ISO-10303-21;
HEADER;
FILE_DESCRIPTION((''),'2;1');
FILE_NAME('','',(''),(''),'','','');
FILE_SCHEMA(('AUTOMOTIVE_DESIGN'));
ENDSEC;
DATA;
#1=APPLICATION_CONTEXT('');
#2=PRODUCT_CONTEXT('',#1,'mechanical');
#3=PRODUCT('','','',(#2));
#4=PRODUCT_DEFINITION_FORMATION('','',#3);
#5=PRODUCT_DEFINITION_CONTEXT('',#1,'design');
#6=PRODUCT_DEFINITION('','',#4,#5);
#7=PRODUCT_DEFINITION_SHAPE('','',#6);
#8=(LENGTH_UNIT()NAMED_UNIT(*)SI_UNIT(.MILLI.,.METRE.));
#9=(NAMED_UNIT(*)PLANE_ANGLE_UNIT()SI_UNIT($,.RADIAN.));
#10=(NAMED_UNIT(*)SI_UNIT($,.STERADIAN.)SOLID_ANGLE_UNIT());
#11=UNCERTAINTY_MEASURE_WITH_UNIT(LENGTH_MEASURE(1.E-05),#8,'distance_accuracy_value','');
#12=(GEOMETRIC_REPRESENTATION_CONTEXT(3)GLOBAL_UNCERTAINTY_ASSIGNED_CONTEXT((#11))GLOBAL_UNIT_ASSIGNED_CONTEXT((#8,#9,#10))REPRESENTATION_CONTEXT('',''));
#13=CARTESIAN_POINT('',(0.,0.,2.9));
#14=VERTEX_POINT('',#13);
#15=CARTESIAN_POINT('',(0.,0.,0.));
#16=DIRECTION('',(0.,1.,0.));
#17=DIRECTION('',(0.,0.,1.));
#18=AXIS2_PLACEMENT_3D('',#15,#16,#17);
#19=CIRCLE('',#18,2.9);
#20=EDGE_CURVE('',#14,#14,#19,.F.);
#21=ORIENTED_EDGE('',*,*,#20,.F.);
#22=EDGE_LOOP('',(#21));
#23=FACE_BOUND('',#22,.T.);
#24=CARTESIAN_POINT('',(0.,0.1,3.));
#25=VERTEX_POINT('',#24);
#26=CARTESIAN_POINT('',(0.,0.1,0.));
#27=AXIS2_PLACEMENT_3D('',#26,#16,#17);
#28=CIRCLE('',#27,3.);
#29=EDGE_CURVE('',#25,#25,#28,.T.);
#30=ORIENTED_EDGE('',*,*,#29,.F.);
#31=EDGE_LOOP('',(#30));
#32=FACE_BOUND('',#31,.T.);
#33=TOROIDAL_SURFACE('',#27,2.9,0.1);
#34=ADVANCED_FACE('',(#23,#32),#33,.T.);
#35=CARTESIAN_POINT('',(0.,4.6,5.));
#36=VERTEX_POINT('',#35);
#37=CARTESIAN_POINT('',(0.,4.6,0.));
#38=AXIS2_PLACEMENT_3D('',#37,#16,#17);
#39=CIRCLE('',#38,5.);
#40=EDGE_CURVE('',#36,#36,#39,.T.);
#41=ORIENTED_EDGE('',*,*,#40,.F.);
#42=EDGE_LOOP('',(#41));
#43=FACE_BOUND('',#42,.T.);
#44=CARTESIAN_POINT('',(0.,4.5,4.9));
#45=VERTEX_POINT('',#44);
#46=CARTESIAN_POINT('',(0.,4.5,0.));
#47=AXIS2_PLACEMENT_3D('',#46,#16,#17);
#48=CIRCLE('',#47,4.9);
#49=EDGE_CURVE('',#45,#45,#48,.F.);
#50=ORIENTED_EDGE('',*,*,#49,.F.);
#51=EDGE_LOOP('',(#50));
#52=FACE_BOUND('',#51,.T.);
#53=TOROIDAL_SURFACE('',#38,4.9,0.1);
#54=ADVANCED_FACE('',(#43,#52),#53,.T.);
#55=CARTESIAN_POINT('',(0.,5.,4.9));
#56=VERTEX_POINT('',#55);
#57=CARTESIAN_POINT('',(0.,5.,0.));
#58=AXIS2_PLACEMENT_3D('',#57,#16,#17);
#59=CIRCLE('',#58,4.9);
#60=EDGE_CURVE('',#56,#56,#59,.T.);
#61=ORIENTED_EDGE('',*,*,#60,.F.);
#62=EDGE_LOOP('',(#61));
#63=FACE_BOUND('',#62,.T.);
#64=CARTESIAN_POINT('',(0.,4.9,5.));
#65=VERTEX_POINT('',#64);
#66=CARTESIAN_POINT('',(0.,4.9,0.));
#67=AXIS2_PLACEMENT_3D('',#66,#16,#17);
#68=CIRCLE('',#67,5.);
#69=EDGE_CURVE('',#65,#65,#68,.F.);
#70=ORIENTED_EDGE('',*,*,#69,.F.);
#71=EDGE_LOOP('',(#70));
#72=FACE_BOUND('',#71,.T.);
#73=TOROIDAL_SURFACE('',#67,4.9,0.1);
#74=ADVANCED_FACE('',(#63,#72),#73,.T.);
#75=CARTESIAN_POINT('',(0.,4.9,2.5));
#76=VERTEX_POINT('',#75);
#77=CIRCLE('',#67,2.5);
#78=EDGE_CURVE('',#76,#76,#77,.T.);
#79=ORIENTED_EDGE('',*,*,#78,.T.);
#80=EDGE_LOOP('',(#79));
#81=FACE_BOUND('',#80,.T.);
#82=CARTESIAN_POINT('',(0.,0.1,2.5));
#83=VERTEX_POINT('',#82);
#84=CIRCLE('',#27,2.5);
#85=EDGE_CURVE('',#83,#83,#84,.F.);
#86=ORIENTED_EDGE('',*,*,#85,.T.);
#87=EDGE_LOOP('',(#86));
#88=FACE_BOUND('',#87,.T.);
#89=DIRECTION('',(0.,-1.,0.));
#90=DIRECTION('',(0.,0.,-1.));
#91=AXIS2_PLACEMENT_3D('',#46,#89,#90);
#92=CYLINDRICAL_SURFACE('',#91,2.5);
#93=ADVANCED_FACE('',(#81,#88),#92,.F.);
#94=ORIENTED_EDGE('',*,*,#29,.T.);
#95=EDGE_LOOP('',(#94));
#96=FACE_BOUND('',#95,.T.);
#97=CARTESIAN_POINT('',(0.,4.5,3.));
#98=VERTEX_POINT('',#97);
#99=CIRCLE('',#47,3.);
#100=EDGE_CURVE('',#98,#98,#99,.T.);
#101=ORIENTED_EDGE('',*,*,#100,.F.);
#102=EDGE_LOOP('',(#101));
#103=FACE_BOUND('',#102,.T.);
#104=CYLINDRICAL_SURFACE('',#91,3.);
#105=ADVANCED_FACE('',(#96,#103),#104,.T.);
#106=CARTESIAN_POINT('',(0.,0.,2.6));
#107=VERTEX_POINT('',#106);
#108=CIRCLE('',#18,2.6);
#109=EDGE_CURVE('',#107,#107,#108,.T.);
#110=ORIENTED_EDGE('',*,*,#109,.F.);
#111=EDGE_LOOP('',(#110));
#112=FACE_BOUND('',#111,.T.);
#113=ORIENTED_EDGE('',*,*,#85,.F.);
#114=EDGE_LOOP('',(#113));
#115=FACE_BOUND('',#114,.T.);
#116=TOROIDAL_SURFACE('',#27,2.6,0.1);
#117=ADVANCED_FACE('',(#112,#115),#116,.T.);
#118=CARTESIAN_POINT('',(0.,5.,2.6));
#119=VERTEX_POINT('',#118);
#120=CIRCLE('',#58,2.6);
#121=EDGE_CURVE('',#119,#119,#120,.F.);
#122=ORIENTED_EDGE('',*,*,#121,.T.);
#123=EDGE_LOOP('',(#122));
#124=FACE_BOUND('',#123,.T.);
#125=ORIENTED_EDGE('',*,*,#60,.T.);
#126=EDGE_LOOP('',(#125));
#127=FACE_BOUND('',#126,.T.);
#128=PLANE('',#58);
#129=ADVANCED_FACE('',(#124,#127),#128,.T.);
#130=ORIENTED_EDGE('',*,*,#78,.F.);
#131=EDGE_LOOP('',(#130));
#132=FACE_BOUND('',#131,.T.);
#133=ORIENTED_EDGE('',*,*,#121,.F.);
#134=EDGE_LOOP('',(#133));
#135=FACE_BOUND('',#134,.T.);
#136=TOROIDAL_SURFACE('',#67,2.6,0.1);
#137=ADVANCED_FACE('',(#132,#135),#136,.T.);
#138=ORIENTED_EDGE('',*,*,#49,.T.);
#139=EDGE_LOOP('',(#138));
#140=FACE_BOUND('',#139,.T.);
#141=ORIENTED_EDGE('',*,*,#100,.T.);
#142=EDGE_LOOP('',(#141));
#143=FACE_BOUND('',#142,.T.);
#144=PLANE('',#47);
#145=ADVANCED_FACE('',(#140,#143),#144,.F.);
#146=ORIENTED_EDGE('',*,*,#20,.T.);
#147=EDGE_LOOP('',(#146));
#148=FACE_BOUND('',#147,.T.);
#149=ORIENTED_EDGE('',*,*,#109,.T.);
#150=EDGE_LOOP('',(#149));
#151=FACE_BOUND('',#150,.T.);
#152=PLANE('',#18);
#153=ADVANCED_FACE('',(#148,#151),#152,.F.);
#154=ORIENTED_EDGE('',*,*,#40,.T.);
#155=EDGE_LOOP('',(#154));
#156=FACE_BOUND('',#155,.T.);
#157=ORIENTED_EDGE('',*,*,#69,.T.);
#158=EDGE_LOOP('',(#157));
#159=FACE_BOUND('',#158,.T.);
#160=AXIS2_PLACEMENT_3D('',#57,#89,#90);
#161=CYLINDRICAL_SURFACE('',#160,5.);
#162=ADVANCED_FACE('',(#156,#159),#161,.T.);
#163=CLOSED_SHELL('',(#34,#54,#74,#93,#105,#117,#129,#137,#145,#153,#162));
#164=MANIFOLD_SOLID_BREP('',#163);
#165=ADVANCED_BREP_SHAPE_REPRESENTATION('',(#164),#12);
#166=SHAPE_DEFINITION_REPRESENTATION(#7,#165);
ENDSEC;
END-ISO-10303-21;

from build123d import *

# Parameters (mm, degrees)
SKETCH1_R           = 3
SKETCH1_R_2         = 2.5
BOSS_EXTRUDE1_DEPTH = 4.5
SKETCH2_R           = 5
SKETCH2_R_2         = 2.5
BOSS_EXTRUDE2_DEPTH = 0.5
FILLET1_R           = 0.1


with BuildPart() as part:
    # Sketch1 → Boss-Extrude1 (new body)
    with BuildSketch(Plane(origin=(0, 0, 0), x_dir=(1, 0, 0), z_dir=(0, 1, 0))):
        with Locations(Location((0, 0, 0), (0, 0, 270))):
            Circle(SKETCH1_R)
        with Locations(Location((0, 0, 0), (0, 0, 270))):
            Circle(SKETCH1_R_2, mode=Mode.SUBTRACT)
    extrude(amount=BOSS_EXTRUDE1_DEPTH)

    # Sketch2 → Boss-Extrude2 (add)
    with BuildSketch(Plane(origin=(0, 4.5, 0), x_dir=(1, 0, 0), z_dir=(0, 1, 0))):
        with Locations(Location((0, 0, 0), (0, 0, 270))):
            Circle(SKETCH2_R)
        with Locations(Location((0, 0, 0), (0, 0, 270))):
            Circle(SKETCH2_R_2, mode=Mode.SUBTRACT)
    extrude(amount=BOSS_EXTRUDE2_DEPTH)

    # Fillet1
    fillet1_edges = [part.edges().sort_by_distance(p)[0] for p in [
        (0, 4.5, -5),
        (0, 5, -2.5),
        (0, 0, -3),
        (0, 0, -2.5),
        (0, 5, -5),
    ]]
    fillet(fillet1_edges, radius=FILLET1_R)


solid = part.part
